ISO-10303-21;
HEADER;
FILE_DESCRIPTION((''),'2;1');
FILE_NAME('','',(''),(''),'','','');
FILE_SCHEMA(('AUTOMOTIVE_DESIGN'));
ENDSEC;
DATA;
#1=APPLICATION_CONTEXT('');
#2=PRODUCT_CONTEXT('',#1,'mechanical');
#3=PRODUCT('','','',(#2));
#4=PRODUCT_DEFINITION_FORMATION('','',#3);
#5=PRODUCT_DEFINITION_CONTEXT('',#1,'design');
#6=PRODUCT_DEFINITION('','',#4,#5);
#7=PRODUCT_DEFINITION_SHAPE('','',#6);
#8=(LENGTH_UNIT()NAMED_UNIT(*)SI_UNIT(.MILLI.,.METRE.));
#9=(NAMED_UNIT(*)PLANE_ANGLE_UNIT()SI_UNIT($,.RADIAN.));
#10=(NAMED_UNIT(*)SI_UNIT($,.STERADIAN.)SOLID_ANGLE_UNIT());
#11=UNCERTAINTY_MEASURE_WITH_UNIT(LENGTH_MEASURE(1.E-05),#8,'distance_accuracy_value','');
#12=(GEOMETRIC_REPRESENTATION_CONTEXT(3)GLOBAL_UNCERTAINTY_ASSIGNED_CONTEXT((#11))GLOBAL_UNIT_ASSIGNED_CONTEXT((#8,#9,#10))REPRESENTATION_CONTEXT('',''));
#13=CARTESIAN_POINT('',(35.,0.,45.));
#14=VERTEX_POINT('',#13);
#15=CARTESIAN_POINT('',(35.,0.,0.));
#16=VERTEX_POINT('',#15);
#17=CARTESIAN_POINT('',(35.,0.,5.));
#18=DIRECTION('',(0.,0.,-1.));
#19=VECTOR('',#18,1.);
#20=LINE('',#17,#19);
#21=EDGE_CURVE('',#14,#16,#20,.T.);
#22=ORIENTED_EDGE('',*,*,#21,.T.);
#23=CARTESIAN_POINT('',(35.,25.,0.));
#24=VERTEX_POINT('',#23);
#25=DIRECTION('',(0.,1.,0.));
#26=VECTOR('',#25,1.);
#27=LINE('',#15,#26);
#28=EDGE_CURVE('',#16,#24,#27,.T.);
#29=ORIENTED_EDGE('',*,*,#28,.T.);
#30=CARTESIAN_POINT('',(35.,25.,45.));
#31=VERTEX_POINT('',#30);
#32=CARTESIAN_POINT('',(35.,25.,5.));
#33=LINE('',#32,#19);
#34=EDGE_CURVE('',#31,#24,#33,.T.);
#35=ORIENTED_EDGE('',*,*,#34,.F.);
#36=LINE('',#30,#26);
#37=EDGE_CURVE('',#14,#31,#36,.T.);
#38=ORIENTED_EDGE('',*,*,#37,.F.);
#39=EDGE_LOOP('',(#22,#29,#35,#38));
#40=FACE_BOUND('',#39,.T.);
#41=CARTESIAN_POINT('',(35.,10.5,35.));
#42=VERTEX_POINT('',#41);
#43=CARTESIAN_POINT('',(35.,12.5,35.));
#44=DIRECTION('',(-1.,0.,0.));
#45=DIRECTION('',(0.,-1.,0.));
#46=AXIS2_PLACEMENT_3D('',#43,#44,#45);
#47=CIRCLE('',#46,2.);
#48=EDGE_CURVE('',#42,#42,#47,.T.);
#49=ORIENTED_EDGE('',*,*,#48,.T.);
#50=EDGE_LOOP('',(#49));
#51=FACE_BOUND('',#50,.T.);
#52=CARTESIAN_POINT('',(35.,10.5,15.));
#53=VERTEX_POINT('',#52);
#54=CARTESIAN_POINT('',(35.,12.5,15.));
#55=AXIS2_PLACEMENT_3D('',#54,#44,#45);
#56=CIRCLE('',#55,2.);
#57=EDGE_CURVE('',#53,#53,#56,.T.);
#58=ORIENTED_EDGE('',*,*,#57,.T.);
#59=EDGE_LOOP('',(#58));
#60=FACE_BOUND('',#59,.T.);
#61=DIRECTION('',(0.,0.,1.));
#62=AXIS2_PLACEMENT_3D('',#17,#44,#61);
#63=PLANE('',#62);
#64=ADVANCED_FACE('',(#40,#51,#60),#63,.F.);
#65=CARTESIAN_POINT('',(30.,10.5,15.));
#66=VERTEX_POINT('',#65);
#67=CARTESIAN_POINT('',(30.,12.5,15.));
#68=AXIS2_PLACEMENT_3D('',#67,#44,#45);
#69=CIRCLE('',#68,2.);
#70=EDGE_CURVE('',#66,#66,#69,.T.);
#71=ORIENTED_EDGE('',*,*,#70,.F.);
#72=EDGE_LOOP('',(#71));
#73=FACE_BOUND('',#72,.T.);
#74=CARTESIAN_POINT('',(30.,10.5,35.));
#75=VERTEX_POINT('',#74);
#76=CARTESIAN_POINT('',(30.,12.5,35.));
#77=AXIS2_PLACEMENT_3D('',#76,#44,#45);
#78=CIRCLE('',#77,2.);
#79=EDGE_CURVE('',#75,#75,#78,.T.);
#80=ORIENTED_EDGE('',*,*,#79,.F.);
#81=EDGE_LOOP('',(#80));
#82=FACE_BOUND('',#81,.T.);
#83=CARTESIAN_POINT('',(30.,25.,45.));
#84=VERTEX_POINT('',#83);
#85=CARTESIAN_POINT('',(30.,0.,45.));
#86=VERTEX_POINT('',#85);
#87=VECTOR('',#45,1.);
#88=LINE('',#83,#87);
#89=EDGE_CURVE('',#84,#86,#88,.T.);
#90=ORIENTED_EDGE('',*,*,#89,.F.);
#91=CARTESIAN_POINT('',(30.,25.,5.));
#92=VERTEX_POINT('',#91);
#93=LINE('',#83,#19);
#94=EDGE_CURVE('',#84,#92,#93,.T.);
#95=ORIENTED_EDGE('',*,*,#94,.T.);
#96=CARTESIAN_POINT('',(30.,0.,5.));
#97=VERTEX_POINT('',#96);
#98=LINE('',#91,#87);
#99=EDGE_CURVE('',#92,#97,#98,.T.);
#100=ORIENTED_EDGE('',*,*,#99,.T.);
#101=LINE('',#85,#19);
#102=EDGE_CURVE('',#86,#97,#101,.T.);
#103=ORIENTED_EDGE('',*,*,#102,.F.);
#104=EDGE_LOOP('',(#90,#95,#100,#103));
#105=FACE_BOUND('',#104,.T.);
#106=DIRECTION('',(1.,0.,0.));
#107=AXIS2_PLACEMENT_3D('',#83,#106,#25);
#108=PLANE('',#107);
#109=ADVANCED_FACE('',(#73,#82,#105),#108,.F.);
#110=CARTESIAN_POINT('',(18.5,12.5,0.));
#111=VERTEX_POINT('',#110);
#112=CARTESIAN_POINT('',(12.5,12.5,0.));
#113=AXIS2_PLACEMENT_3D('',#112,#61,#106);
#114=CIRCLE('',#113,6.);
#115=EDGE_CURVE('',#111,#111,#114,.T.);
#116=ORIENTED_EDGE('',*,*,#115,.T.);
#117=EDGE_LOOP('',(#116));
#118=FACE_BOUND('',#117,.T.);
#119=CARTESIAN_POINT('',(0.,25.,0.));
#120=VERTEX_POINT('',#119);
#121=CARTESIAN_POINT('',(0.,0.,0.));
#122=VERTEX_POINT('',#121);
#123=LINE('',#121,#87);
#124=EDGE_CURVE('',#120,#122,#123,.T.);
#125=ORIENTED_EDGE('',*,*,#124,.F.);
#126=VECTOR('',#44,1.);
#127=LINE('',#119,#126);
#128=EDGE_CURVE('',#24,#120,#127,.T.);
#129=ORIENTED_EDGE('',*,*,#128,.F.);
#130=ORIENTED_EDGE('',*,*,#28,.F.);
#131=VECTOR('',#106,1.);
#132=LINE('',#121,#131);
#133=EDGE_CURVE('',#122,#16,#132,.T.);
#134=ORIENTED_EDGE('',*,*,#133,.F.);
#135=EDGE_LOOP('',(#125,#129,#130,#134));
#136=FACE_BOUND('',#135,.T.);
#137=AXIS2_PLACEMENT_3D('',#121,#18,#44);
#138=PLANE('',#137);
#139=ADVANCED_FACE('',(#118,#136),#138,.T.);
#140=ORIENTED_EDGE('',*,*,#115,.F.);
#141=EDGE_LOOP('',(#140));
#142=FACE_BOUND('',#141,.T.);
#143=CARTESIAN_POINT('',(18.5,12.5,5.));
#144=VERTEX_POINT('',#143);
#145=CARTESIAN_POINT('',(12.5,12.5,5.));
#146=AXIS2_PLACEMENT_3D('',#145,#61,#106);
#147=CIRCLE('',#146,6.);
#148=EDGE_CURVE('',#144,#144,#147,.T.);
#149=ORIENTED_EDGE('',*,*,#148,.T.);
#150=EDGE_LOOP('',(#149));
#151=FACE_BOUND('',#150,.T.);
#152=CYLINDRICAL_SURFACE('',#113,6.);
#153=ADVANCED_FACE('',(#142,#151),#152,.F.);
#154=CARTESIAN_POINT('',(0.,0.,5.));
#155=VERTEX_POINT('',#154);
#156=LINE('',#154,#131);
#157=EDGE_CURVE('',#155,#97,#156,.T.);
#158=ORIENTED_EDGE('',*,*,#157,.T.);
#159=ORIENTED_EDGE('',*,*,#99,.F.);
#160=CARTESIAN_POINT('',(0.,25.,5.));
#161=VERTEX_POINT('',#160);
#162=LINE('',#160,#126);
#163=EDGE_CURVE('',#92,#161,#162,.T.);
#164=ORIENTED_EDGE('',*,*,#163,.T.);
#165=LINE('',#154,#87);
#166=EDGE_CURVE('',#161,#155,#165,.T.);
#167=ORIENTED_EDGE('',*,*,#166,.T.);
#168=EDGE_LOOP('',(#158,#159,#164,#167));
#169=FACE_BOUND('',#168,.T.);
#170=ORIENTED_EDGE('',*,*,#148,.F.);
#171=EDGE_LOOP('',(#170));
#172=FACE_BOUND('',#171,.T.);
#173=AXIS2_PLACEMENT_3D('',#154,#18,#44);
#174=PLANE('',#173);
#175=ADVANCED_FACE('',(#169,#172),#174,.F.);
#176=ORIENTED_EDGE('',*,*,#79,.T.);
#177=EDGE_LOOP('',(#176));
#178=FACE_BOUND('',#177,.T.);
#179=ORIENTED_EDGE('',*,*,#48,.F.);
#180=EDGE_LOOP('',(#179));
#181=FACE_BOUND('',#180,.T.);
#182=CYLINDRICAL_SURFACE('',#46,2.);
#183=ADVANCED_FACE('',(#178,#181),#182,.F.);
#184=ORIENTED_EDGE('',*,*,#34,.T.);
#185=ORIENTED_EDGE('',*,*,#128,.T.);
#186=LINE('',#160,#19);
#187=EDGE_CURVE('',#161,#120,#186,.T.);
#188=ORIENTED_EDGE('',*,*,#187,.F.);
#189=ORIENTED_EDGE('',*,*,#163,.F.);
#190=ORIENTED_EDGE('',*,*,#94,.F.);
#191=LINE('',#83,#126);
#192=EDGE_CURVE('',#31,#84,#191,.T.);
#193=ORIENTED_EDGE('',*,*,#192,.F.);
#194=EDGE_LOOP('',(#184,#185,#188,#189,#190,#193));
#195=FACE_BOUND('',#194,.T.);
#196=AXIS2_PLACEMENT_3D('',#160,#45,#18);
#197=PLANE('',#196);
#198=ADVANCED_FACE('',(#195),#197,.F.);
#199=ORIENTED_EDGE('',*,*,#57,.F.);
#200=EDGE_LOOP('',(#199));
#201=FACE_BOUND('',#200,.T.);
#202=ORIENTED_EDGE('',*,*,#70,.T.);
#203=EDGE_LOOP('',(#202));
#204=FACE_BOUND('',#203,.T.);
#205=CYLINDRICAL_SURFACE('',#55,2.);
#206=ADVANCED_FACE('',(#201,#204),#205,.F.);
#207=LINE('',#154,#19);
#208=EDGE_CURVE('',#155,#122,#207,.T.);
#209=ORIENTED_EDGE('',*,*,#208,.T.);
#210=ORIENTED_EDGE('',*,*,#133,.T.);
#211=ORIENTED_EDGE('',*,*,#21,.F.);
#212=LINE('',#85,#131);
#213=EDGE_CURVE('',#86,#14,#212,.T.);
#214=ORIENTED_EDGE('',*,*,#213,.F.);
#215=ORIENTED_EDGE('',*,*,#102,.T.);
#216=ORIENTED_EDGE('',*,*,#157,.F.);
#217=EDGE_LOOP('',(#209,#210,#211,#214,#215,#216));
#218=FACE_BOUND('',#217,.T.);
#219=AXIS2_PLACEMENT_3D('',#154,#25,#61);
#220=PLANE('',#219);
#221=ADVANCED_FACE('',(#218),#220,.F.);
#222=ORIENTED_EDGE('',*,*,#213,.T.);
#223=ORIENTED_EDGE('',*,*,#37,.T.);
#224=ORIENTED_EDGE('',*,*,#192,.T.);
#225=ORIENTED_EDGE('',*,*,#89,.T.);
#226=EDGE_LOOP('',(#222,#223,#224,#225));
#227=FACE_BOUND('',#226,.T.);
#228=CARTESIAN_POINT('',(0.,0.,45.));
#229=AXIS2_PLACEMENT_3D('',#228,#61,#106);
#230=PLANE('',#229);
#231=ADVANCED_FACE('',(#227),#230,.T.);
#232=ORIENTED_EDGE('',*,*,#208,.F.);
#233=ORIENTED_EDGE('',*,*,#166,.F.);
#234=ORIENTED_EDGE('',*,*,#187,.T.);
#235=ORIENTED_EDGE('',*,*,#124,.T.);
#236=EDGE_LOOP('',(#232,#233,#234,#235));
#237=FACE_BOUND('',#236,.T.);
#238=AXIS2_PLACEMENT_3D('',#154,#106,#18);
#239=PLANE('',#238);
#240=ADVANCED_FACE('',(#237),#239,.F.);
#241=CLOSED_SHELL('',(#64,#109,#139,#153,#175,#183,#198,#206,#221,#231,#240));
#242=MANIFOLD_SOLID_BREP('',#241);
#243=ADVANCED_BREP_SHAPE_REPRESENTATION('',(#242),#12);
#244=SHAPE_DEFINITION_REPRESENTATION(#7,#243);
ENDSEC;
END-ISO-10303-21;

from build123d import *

# Parameters (mm, degrees)
SKETCH1_W           = 35
SKETCH1_H           = 25
BOSS_EXTRUDE1_DEPTH = 5
SKETCH2_W           = 5
SKETCH2_H           = 25
BOSS_EXTRUDE2_DEPTH = 40
SKETCH3_R           = 6
CUT_EXTRUDE1_DEPTH  = 59.736700622
SKETCH4_R           = 2
CUT_EXTRUDE2_DEPTH  = 60.581876439


with BuildPart() as part:
    # Sketch1 → Boss-Extrude1 (new body)
    with BuildSketch(Plane.XY):
        with Locations((17.5, 12.5)):
            Rectangle(SKETCH1_W, SKETCH1_H)
    extrude(amount=BOSS_EXTRUDE1_DEPTH)

    # Sketch2 → Boss-Extrude2 (add)
    with BuildSketch(Plane.XY.offset(5)):
        with Locations((32.5, 12.5)):
            Rectangle(SKETCH2_W, SKETCH2_H)
    extrude(amount=BOSS_EXTRUDE2_DEPTH)

    # Sketch3 → Cut-Extrude1 (cut, through all)
    with BuildSketch(Plane.XY.offset(5)):
        with Locations((12.5, 12.5)):
            Circle(SKETCH3_R)
    extrude(amount=-CUT_EXTRUDE1_DEPTH, mode=Mode.SUBTRACT)

    # Sketch4 → Cut-Extrude2 (cut, through all)
    with BuildSketch(Plane.ZY.offset(-30)):
        with Locations(Location((15, 12.5, 0), (0, 0, 270))):
            Circle(SKETCH4_R)
        with Locations(Location((35, 12.5, 0), (0, 0, 270))):
            Circle(SKETCH4_R)
    extrude(amount=-CUT_EXTRUDE2_DEPTH, mode=Mode.SUBTRACT)


solid = part.part
